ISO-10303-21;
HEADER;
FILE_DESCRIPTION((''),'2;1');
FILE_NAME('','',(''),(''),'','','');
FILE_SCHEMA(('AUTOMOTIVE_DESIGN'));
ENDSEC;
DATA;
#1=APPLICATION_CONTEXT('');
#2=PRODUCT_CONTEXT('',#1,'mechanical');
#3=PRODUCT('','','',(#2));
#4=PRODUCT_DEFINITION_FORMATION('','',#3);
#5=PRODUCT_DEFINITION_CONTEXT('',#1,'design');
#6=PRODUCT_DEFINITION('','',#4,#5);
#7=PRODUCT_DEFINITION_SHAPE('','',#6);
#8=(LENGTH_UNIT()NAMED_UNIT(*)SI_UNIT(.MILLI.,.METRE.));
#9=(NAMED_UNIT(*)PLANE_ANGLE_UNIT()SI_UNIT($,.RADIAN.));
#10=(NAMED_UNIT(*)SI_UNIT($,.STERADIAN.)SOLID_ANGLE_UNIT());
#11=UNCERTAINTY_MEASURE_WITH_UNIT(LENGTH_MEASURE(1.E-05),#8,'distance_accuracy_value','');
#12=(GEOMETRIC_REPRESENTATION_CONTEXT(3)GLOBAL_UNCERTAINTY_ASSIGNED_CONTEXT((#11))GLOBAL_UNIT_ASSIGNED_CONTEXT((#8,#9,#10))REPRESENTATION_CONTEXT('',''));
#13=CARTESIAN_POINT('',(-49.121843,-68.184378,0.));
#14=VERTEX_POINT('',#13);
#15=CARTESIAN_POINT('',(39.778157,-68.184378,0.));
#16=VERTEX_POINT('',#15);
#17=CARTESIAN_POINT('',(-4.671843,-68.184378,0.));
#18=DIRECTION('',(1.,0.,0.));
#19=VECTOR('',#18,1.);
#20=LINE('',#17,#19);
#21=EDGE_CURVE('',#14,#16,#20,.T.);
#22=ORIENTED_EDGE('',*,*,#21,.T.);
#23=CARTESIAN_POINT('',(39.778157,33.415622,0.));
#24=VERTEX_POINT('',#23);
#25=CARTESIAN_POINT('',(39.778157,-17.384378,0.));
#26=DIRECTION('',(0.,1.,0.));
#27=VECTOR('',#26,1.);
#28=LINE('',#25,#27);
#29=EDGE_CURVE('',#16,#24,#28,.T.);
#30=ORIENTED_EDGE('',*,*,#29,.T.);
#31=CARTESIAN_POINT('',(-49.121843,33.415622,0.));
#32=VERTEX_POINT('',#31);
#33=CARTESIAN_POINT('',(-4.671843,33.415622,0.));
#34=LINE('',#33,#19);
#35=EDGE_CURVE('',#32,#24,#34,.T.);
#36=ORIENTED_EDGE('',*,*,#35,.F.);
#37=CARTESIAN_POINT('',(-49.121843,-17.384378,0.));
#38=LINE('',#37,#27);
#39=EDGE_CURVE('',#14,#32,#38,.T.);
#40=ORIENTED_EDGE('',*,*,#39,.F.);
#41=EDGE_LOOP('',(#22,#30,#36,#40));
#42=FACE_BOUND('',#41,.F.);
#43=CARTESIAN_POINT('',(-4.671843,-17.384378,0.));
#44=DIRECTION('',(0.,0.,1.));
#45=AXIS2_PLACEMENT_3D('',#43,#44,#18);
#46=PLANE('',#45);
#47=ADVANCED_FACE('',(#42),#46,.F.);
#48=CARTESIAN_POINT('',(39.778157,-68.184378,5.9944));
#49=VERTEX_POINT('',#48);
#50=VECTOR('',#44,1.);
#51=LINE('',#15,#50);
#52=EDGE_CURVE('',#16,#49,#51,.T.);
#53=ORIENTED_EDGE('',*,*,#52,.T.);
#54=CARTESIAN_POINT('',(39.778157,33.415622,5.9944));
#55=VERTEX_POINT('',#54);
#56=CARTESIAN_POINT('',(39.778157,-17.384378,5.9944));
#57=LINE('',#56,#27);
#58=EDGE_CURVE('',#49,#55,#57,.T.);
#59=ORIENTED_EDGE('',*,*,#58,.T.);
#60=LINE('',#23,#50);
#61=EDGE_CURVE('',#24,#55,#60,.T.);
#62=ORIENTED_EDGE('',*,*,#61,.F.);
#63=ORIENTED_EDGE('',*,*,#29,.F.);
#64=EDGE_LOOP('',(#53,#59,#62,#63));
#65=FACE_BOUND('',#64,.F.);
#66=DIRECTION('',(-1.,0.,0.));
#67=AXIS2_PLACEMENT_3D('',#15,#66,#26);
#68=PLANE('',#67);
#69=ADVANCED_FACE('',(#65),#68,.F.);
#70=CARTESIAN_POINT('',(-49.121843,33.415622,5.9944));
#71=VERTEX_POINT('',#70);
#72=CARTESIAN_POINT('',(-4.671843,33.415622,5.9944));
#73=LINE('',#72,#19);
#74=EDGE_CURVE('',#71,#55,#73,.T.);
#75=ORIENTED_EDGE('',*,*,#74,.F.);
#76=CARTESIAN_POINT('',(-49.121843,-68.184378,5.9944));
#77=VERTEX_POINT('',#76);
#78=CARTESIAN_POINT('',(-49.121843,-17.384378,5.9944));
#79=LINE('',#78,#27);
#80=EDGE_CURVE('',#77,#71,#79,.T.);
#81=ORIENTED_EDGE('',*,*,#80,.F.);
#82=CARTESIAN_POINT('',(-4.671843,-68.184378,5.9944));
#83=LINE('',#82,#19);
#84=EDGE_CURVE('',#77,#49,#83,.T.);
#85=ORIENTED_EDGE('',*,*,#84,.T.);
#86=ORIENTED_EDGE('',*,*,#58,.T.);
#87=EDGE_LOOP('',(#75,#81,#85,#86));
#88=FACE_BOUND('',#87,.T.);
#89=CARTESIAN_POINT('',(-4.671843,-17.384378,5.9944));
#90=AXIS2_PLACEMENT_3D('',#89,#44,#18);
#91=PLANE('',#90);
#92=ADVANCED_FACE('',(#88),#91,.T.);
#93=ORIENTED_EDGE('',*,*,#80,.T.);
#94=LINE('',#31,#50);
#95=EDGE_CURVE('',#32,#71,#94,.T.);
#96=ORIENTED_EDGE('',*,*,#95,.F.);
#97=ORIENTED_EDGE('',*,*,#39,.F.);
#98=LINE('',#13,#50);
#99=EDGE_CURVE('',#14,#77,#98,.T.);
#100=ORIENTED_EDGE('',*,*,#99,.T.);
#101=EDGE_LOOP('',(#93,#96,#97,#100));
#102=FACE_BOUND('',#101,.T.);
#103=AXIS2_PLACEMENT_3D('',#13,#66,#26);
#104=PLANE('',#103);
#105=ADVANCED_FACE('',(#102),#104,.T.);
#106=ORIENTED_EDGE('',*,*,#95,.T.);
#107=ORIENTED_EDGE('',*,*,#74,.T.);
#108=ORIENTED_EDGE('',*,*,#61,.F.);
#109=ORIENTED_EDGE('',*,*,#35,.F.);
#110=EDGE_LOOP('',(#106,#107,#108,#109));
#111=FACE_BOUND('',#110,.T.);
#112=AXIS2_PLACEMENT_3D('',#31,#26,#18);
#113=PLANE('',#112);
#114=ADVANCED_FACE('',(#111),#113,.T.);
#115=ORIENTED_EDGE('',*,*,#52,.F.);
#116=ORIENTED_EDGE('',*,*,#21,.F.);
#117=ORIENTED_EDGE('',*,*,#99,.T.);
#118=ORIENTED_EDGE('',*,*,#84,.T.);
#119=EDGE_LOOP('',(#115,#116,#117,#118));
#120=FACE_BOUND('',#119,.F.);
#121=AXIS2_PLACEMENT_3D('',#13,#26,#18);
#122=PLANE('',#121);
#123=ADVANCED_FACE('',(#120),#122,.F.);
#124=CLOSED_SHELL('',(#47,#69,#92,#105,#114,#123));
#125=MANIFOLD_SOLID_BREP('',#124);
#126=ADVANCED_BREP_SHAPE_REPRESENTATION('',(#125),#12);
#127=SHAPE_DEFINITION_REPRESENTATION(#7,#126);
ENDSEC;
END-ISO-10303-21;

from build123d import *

# Parameters (mm, degrees)
SKETCH_W      = 88.9
SKETCH_H      = 101.6
EXTRUDE_DEPTH = 5.9944


with BuildPart() as part:
    # Sketch → Extrude (new body)
    with BuildSketch(Plane.XY):
        with Locations((-4.671843, -17.384378)):
            Rectangle(SKETCH_W, SKETCH_H)
    extrude(amount=EXTRUDE_DEPTH)


solid = part.part
